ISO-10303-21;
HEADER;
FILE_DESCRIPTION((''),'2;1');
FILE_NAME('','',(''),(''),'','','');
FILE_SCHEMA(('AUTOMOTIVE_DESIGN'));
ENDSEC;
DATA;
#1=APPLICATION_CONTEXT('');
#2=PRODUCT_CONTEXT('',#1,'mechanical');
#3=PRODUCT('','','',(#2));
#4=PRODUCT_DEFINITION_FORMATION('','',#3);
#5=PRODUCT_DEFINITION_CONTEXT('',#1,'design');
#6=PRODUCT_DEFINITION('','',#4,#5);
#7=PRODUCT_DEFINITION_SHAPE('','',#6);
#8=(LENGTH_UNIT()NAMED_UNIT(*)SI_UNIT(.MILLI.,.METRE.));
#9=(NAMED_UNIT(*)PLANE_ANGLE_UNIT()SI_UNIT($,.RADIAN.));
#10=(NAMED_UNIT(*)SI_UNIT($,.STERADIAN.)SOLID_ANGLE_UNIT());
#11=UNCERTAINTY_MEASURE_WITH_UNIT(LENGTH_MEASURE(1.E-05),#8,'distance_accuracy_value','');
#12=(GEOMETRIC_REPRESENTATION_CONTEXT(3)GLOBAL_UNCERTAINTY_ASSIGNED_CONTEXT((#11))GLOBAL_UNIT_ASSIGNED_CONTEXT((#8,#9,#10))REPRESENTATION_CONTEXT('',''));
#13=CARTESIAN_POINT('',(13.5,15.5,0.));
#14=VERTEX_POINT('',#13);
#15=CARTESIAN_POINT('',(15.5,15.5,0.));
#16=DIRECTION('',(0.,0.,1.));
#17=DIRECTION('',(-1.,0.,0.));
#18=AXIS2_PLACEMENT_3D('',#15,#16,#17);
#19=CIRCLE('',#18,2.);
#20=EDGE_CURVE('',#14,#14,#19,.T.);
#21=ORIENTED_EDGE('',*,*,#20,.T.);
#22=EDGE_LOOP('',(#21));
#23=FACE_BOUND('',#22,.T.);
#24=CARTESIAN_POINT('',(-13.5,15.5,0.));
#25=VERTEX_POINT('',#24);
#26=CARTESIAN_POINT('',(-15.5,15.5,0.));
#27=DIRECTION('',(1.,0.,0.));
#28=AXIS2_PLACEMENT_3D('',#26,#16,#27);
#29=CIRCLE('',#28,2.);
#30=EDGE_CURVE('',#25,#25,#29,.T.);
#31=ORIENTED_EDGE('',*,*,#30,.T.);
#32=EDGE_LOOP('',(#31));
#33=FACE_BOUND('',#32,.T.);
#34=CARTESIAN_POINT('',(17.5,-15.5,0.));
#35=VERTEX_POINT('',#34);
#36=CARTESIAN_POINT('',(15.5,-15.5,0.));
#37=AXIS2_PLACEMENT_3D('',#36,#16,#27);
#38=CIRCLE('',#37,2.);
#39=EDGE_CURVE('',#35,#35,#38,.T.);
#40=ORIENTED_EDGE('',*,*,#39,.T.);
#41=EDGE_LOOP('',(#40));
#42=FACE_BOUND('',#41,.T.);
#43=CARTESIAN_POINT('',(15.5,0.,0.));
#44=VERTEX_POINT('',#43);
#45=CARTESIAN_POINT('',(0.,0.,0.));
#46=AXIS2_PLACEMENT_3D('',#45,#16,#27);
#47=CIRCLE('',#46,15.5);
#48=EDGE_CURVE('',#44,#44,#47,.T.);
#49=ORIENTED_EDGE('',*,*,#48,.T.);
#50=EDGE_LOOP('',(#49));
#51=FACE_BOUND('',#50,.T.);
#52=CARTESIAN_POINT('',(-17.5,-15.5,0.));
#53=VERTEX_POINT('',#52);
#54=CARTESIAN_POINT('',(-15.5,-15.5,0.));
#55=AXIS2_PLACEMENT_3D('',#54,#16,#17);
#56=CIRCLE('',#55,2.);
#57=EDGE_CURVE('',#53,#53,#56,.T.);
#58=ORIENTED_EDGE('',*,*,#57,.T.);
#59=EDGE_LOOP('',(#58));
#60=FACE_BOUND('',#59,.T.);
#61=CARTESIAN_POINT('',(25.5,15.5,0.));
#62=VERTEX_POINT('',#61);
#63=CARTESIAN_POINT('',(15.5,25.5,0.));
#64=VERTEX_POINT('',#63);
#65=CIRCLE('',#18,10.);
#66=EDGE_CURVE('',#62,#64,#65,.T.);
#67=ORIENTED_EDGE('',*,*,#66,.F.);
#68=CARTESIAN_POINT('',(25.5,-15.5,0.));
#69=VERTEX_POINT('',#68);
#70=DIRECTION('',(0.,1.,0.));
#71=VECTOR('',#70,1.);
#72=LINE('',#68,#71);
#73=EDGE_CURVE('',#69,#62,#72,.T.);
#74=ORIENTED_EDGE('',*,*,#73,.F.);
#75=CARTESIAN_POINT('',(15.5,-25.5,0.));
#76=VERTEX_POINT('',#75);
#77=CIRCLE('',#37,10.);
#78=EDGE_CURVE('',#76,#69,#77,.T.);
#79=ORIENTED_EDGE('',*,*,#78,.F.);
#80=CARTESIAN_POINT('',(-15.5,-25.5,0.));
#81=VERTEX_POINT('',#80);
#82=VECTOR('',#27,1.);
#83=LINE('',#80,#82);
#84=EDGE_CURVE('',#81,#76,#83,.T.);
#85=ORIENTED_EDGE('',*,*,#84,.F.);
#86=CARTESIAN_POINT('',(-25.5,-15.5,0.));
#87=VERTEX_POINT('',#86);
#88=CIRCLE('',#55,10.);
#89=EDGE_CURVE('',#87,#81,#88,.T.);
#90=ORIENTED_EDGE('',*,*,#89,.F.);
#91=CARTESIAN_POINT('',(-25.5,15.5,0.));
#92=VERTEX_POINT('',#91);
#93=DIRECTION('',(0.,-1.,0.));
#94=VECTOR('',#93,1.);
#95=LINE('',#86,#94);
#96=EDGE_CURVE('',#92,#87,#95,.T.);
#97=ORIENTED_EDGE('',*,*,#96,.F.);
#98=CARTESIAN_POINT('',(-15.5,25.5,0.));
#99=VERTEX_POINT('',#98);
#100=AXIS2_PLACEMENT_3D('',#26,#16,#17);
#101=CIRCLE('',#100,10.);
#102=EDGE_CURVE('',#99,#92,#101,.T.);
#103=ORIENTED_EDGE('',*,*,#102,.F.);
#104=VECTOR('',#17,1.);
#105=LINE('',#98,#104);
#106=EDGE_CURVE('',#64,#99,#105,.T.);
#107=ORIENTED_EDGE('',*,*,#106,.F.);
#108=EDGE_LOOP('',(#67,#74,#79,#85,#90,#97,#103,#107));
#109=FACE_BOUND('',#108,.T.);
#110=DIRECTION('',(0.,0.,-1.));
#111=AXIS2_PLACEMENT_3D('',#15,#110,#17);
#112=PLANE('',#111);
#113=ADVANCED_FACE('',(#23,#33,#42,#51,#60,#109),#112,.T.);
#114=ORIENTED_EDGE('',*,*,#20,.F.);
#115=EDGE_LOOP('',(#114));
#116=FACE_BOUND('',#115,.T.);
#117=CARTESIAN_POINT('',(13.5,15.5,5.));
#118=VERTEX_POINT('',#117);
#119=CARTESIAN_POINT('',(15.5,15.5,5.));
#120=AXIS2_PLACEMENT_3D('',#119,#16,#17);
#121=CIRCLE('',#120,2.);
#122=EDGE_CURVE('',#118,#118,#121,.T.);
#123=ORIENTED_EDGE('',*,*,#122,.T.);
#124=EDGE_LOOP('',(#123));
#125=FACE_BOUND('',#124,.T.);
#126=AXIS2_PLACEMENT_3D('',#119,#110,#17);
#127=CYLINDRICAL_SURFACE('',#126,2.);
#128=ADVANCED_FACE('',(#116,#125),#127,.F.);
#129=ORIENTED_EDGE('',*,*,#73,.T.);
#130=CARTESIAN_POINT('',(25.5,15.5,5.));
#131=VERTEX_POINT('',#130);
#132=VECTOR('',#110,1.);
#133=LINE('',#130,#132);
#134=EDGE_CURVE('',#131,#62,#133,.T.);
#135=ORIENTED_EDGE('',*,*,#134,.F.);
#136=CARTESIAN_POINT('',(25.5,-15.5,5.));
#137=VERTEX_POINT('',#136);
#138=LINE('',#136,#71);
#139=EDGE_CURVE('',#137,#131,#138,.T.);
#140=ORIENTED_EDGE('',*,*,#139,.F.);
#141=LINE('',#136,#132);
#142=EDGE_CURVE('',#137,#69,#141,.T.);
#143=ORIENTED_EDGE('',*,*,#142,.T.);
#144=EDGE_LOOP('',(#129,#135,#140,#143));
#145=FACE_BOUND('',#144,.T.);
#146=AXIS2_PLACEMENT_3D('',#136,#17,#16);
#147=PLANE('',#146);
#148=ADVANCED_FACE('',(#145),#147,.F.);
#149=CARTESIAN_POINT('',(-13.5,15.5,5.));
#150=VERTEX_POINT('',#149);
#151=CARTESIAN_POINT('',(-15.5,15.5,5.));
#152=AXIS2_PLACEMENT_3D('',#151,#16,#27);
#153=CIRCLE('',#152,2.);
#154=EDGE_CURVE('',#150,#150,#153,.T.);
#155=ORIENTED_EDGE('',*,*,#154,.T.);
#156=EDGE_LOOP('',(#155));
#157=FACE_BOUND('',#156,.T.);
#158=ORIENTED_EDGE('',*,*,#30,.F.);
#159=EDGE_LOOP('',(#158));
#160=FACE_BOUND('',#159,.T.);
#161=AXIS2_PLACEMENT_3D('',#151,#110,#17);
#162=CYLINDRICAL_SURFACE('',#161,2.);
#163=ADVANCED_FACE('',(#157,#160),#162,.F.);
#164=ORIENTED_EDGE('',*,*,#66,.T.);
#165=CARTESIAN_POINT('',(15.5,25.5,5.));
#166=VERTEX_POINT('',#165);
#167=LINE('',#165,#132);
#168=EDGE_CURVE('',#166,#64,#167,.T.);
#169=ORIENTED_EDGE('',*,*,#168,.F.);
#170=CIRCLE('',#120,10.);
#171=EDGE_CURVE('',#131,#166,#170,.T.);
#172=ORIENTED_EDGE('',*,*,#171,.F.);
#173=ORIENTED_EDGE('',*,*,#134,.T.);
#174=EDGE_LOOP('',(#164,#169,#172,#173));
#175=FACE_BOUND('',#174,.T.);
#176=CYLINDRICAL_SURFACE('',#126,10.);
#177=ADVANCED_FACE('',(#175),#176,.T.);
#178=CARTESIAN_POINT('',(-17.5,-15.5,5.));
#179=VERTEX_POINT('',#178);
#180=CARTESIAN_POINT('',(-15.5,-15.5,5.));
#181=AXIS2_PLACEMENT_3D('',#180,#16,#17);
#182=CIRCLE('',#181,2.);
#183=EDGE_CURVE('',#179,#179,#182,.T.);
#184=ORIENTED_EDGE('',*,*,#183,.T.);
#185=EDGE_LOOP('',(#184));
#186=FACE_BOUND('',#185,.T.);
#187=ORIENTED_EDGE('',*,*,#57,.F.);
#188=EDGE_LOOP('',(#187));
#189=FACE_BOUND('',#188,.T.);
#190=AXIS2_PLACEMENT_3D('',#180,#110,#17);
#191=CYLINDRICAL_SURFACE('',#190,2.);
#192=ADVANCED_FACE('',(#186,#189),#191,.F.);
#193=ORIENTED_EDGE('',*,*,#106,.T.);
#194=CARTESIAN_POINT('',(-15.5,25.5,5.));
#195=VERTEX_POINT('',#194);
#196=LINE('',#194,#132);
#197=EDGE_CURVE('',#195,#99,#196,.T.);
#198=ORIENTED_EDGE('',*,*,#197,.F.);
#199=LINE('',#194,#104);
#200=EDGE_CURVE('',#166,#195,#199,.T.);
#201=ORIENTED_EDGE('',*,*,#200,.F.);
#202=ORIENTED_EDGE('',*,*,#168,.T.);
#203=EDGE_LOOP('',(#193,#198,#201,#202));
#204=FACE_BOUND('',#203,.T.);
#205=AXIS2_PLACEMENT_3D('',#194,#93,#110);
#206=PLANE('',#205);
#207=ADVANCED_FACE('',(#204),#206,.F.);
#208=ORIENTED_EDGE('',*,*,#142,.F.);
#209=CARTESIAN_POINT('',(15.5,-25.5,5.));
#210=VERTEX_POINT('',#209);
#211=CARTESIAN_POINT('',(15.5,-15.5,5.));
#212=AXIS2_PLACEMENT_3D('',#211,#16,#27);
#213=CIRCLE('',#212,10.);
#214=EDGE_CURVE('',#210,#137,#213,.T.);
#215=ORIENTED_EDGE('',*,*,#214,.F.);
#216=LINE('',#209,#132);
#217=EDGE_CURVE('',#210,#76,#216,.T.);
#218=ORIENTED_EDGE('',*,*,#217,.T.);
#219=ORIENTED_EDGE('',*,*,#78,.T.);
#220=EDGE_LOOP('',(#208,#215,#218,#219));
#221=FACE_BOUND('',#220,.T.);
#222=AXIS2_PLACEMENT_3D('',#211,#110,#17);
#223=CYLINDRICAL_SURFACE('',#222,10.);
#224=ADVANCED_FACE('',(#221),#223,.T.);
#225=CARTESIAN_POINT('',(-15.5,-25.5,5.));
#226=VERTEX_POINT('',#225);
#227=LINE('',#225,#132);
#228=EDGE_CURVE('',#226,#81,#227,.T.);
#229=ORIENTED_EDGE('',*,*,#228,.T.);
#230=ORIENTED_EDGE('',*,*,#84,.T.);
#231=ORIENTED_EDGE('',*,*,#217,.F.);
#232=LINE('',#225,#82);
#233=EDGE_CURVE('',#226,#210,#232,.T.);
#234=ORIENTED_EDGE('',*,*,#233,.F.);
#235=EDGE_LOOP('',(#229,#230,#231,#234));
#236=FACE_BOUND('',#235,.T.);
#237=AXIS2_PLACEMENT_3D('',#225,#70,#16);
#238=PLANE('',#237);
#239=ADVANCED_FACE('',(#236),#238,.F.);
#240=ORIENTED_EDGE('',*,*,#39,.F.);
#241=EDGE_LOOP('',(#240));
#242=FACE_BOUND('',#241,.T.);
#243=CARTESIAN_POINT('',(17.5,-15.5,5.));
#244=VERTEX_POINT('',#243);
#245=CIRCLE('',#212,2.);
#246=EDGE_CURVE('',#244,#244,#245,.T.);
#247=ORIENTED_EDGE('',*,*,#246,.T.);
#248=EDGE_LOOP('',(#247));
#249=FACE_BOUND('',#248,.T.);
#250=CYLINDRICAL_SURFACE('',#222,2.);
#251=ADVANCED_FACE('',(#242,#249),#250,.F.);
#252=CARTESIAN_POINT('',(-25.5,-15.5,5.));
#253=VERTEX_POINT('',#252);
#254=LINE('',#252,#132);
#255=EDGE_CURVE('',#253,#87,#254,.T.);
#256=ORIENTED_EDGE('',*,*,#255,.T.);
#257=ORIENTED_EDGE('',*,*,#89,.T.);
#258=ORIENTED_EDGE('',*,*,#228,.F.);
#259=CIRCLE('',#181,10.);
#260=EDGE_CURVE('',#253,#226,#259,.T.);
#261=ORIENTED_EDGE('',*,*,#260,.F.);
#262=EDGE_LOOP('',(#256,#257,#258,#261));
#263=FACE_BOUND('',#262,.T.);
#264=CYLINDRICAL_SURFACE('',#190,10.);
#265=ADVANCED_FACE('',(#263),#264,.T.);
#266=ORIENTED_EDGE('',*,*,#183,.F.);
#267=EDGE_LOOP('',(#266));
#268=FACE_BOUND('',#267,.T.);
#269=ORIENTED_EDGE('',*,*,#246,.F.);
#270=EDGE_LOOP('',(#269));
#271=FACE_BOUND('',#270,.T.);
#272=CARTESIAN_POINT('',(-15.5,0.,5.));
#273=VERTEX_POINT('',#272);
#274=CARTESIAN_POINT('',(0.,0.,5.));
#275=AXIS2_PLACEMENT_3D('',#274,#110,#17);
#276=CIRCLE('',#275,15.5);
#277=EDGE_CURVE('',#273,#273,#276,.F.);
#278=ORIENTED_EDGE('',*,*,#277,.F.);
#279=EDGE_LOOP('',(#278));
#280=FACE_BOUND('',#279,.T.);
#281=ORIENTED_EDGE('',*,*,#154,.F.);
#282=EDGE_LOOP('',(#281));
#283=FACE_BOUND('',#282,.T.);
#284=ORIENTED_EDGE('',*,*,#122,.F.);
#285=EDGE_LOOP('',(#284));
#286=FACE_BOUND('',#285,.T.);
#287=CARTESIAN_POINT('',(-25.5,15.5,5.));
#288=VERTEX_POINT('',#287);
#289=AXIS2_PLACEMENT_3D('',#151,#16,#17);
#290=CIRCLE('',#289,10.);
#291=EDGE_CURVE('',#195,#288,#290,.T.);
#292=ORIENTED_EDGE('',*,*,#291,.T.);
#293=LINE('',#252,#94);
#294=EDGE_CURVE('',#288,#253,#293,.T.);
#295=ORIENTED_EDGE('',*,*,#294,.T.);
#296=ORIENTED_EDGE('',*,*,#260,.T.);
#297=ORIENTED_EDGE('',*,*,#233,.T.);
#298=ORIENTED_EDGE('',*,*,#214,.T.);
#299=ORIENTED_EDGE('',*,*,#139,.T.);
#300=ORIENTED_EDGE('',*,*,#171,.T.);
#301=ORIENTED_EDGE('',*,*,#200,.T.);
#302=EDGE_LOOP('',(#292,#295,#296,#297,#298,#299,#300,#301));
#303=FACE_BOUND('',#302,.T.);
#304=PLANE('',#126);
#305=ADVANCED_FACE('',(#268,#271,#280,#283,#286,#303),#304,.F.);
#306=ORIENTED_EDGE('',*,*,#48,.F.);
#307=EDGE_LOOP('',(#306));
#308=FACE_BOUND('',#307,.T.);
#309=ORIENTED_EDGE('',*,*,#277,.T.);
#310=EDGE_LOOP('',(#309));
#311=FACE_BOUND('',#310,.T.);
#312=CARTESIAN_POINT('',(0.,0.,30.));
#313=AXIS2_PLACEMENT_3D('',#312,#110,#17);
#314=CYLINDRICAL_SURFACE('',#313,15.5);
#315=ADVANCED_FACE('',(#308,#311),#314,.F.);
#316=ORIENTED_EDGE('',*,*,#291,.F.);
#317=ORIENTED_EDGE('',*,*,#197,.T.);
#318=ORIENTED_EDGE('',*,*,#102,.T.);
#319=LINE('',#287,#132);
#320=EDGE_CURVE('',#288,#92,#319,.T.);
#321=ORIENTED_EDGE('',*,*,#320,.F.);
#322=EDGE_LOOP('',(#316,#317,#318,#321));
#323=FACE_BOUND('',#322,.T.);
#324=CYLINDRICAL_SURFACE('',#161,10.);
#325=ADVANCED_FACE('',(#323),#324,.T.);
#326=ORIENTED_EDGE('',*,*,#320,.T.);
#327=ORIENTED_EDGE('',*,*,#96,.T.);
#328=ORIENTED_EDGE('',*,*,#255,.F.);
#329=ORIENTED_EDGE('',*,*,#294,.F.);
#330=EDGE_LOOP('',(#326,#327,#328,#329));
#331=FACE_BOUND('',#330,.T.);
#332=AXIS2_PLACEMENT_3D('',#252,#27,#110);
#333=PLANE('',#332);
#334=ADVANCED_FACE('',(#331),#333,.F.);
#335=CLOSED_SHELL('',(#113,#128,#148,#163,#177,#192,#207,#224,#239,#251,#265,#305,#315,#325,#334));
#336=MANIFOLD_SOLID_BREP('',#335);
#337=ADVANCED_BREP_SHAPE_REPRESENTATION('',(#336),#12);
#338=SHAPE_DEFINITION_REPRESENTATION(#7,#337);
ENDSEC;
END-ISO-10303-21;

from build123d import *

# Parameters (mm, degrees)
SKETCH_1_R          = 2
EXTRUDE_1_DEPTH     = 5
SKETCH_2_R          = 15.5
CUT_EXTRUDE_1_DEPTH = 30


with BuildPart() as part:
    # 草图1 → 凸台-拉伸1 (new body)
    with BuildSketch(Plane.XY):
        with BuildLine():
            Line((-15.5, -25.5), (15.5, -25.5))
            ThreePointArc((15.5, -25.5), (22.571067812, -22.571067812), (25.5, -15.5))
            Line((25.5, -15.5), (25.5, 15.5))
            ThreePointArc((25.5, 15.5), (22.571067812, 22.571067812), (15.5, 25.5))
            Line((15.5, 25.5), (-15.5, 25.5))
            ThreePointArc((-15.5, 25.5), (-22.571067812, 22.571067812), (-25.5, 15.5))
            Line((-25.5, 15.5), (-25.5, -15.5))
            ThreePointArc((-25.5, -15.5), (-22.571067812, -22.571067812), (-15.5, -25.5))
        make_face()
        with Locations((-15.5, 15.5)):
            Circle(SKETCH_1_R, mode=Mode.SUBTRACT)
        with Locations((15.5, 15.5)):
            Circle(SKETCH_1_R, mode=Mode.SUBTRACT)
        with Locations((15.5, -15.5)):
            Circle(SKETCH_1_R, mode=Mode.SUBTRACT)
        with Locations((-15.5, -15.5)):
            Circle(SKETCH_1_R, mode=Mode.SUBTRACT)
    extrude(amount=EXTRUDE_1_DEPTH)

    # 草图2 → 切除-拉伸1 (cut)
    with BuildSketch(Plane.XY):
        Circle(SKETCH_2_R)
    extrude(amount=CUT_EXTRUDE_1_DEPTH, mode=Mode.SUBTRACT)


solid = part.part
